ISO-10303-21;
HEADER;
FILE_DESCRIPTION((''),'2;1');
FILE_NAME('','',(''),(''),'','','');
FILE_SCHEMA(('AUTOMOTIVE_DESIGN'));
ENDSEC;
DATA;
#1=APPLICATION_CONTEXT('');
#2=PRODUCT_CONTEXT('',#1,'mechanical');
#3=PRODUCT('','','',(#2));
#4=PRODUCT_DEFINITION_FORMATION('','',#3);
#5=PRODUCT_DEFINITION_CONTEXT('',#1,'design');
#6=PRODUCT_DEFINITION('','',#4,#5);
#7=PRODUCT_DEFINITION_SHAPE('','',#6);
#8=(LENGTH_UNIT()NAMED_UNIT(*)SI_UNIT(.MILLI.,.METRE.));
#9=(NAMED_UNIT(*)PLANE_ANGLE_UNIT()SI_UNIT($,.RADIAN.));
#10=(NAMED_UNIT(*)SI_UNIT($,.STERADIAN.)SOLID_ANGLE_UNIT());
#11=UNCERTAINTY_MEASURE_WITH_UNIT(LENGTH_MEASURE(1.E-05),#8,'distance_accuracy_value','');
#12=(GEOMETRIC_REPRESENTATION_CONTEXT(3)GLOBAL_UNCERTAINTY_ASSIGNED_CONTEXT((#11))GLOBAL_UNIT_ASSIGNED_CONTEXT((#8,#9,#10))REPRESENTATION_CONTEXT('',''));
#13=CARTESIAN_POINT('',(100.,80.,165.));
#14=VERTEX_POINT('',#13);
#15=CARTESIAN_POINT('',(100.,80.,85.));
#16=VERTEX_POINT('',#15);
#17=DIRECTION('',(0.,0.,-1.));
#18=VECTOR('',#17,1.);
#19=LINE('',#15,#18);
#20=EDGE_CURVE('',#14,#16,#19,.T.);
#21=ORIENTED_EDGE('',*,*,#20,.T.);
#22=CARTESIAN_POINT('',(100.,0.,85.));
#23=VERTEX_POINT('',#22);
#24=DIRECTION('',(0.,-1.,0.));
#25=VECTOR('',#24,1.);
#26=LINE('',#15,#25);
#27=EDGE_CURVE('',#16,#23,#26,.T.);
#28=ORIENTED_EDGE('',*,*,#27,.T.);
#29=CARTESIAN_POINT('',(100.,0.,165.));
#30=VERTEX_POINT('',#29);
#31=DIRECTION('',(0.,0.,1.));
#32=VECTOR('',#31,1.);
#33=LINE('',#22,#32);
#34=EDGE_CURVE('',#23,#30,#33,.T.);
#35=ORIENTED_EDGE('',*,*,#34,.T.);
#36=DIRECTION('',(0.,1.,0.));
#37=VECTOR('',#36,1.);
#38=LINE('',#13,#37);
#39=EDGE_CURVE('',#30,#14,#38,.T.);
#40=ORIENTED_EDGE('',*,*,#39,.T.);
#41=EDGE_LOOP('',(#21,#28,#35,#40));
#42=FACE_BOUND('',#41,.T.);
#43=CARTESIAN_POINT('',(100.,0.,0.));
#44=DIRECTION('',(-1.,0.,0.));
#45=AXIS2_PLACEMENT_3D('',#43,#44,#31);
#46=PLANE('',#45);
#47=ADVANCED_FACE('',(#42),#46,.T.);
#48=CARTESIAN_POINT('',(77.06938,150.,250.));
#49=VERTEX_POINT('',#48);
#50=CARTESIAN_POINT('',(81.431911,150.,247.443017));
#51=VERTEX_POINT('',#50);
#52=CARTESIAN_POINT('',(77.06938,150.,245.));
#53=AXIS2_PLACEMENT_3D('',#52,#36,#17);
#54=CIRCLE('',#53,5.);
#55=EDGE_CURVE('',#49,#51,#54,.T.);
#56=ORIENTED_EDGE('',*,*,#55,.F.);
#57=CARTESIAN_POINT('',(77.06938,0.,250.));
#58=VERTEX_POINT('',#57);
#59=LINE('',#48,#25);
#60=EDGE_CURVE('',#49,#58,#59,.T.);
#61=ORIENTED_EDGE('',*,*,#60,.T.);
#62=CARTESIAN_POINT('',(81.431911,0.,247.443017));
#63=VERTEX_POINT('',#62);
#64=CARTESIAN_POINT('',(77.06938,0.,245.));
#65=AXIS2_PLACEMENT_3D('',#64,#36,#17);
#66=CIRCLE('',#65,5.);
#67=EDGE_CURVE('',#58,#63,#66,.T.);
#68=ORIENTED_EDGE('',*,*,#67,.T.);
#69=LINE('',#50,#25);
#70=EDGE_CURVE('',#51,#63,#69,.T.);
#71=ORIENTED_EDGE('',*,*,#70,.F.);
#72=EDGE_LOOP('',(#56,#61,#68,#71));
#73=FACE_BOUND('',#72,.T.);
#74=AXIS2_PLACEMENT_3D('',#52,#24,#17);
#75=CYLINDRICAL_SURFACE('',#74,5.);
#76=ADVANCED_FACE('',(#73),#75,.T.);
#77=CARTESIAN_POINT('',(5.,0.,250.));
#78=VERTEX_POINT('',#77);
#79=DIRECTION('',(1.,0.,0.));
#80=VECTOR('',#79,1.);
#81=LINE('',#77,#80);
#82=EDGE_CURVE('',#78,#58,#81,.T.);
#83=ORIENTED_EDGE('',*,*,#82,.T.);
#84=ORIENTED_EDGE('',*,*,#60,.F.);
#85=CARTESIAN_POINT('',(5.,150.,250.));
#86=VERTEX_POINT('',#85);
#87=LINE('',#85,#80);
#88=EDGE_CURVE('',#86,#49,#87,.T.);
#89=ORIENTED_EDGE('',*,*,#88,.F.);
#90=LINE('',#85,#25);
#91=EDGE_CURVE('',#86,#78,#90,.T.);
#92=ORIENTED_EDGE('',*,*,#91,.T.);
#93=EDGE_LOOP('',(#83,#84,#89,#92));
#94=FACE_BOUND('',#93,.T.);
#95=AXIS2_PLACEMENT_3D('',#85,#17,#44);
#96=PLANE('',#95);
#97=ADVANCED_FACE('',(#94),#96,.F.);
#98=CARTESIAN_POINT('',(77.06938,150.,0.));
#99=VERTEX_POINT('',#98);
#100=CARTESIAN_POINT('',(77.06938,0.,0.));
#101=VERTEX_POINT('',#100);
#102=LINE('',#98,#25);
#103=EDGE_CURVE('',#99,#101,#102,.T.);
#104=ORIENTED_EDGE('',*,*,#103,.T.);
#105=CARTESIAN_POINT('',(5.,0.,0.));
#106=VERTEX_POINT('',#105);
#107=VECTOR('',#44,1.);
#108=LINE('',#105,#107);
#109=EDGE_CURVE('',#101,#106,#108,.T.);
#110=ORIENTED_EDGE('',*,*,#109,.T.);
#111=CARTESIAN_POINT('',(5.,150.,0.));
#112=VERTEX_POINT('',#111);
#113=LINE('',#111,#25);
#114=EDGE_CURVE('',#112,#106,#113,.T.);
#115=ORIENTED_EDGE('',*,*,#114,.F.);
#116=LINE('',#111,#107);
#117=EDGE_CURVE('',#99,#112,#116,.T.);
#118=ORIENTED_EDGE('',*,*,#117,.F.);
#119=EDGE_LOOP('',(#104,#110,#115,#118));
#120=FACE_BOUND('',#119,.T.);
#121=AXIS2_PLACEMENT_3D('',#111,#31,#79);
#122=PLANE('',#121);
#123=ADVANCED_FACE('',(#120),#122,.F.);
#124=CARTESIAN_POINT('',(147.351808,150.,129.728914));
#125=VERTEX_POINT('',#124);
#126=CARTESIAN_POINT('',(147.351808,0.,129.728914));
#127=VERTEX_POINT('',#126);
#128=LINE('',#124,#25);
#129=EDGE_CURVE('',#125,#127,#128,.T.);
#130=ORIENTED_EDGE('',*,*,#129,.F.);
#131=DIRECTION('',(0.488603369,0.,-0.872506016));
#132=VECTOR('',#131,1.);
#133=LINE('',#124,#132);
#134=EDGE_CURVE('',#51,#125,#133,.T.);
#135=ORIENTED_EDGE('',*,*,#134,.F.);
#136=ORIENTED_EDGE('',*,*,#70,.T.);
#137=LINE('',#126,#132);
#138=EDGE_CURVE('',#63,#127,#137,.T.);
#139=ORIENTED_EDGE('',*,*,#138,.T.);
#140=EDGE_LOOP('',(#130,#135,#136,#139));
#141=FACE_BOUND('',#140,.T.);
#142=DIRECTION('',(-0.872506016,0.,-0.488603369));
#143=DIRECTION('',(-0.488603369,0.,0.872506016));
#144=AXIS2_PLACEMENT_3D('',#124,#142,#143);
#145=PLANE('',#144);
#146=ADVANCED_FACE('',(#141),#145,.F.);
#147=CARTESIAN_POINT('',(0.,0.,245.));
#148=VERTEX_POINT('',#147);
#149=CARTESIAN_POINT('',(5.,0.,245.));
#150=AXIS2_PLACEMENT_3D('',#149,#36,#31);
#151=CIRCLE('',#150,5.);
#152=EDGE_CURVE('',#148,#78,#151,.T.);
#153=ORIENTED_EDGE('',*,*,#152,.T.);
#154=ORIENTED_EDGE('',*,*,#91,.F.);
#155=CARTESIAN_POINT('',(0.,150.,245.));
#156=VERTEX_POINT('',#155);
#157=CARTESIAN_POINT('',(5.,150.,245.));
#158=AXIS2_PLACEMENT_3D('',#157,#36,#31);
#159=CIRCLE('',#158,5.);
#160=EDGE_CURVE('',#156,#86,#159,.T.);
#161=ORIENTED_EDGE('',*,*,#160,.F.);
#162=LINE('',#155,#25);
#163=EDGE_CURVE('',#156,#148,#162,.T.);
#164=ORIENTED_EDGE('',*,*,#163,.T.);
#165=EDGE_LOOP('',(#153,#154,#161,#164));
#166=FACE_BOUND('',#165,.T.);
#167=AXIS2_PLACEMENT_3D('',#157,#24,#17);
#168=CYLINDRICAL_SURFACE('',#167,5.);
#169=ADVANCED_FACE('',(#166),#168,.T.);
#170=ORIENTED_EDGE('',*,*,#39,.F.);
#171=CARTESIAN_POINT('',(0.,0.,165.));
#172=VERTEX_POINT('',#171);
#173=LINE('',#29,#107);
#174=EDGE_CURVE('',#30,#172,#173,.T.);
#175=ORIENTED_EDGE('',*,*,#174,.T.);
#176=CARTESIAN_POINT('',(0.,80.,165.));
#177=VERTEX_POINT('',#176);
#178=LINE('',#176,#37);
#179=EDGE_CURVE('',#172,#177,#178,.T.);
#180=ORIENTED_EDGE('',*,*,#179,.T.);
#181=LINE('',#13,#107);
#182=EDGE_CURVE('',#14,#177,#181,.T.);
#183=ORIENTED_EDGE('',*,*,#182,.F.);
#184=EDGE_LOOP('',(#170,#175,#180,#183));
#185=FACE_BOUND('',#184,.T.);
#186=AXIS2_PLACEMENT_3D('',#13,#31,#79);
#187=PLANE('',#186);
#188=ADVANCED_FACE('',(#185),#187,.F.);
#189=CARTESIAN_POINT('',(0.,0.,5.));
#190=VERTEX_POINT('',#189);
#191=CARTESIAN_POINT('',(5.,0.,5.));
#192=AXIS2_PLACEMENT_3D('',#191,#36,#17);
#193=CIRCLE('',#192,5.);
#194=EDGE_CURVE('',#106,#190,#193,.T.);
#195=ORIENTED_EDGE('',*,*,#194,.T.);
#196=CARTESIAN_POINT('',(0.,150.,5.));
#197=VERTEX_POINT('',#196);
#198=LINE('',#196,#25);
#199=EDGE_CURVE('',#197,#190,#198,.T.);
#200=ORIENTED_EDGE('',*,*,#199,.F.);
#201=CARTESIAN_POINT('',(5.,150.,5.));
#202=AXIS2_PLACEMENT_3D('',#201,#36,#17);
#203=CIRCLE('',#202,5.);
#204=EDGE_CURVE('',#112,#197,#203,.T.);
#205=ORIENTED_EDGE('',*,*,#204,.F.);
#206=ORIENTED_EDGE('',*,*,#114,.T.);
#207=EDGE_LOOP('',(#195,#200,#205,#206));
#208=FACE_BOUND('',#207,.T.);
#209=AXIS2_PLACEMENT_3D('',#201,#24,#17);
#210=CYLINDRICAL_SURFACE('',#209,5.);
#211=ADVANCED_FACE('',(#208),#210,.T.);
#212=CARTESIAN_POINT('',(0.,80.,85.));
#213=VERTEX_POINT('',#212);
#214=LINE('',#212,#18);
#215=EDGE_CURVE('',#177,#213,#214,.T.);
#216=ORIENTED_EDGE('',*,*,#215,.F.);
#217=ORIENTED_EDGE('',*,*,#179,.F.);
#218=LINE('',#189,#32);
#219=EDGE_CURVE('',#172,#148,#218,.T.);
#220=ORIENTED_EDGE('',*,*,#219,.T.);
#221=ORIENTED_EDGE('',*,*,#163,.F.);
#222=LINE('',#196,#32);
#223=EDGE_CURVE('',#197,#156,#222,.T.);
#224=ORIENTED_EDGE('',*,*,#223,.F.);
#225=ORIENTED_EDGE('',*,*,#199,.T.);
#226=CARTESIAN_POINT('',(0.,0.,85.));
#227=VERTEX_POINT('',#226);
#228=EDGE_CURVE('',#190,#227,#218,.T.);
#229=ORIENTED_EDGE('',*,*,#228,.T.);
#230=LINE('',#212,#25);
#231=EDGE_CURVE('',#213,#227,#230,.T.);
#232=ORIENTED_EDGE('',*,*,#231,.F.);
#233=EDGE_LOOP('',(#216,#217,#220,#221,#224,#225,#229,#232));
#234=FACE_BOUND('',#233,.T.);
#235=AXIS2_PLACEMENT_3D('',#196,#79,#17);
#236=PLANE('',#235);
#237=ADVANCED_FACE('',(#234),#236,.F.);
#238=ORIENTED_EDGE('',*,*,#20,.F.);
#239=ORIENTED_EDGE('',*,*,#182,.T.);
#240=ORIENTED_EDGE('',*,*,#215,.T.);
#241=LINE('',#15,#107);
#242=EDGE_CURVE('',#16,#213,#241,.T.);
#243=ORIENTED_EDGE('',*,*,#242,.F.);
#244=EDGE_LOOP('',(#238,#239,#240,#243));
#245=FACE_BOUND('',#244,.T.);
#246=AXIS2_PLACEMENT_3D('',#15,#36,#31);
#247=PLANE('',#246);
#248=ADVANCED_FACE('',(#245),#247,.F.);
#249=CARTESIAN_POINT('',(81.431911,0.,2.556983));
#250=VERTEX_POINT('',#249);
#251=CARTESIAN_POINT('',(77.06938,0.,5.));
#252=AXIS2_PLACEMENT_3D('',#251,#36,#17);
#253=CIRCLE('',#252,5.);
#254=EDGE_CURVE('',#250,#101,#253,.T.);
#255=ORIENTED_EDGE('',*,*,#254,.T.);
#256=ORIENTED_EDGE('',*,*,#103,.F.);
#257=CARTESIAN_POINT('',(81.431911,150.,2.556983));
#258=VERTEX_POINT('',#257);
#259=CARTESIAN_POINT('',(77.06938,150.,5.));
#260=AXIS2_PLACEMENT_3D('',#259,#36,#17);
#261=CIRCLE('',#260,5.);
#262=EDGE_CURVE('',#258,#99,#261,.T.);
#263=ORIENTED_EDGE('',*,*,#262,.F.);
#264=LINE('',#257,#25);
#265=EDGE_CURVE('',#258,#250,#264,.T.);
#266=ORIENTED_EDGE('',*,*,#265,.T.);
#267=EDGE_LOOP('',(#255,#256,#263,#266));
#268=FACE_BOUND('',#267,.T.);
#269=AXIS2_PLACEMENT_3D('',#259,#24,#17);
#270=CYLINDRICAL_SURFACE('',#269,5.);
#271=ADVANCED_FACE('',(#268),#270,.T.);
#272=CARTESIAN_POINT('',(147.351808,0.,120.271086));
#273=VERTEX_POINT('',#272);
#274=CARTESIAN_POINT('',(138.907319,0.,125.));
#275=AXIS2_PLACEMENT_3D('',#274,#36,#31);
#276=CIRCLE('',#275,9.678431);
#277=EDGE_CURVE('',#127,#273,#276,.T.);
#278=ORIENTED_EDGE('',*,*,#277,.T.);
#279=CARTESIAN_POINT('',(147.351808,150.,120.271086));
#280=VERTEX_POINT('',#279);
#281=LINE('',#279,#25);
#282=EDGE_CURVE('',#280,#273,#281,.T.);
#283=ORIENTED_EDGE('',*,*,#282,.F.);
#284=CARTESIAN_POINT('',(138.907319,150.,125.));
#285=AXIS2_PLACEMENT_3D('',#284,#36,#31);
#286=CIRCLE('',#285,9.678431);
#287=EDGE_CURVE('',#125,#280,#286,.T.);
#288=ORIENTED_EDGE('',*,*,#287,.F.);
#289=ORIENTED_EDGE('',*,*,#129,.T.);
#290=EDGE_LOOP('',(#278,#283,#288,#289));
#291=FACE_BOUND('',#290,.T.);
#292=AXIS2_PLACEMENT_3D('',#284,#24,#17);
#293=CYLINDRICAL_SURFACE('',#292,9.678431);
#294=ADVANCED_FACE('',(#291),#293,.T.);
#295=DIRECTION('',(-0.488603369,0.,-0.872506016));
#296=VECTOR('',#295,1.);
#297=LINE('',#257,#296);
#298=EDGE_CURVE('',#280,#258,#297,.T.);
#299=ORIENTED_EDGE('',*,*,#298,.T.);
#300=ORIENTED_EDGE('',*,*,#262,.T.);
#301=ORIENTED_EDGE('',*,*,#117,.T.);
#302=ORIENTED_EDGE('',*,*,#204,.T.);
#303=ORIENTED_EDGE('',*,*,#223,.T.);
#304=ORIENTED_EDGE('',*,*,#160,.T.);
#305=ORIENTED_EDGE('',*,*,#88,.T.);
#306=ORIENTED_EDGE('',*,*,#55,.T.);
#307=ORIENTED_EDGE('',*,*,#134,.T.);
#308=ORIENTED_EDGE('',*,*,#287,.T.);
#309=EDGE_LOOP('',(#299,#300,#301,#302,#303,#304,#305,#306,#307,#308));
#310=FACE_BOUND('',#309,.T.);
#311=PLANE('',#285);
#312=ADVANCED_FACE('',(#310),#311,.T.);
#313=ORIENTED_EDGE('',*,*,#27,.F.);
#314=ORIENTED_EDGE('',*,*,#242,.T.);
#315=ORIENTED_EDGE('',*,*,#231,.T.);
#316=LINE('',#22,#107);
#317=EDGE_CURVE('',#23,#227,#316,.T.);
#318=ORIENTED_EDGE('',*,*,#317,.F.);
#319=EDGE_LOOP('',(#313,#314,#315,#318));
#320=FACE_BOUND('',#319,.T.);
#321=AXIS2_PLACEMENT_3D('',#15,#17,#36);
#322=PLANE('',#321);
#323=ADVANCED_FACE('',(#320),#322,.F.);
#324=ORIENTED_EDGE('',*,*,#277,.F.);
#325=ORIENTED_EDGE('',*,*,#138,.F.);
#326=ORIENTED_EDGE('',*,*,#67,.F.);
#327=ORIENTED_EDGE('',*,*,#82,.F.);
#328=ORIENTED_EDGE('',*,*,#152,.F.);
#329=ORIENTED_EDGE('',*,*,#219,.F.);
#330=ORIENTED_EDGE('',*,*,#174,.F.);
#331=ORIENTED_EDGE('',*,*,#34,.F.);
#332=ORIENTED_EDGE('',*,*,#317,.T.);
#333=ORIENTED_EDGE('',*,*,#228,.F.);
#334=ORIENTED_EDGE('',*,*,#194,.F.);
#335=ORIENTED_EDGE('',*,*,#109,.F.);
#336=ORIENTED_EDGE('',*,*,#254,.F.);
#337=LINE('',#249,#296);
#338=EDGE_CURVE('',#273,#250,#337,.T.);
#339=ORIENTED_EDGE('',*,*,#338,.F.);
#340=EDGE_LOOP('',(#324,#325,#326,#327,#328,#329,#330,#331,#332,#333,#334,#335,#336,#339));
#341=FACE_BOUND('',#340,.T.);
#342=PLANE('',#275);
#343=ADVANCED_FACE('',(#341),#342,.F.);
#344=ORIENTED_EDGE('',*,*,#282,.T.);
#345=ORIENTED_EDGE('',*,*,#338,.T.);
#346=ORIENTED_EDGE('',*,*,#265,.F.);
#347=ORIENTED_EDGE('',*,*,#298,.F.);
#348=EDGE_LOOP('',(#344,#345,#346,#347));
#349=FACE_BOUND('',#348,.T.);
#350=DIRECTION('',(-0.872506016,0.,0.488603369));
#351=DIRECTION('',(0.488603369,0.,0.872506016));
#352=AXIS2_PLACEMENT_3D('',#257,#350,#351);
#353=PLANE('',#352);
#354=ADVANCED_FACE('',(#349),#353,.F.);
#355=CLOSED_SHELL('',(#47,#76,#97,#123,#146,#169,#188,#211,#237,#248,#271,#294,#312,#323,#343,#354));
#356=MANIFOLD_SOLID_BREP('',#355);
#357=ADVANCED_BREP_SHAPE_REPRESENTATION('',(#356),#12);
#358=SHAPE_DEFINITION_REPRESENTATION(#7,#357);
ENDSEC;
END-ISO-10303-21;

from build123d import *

# Parameters (mm, degrees)
EXTRUDE_1_DEPTH     = 150
SKETCH_2_W          = 80
SKETCH_2_H          = 80
CUT_EXTRUDE_1_DEPTH = 100


with BuildPart() as part:
    # 草图1 → 凸台-拉伸1 (new body)
    with BuildSketch(Plane(origin=(0, 0, 0), x_dir=(1, 0, 0), z_dir=(0, 1, 0))):
        with BuildLine():
            Line((0, -5), (0, -245))
            ThreePointArc((0, -245), (1.464466094, -248.535533906), (5, -250))
            Line((5, -250), (77.069380487, -250))
            ThreePointArc((77.069380487, -250), (79.597711535, -249.313646035), (81.431910567, -247.443016845))
            Line((81.431910567, -247.443016845), (147.351808168, -129.728913986))
            ThreePointArc((147.351808168, -129.728913986), (148.585749894, -125), (147.351808168, -120.271086014))
            Line((147.351808168, -120.271086014), (81.431910567, -2.556983155))
            ThreePointArc((81.431910567, -2.556983155), (79.597711535, -0.686353965), (77.069380487, 0))
            Line((77.069380487, 0), (5, 0))
            ThreePointArc((5, 0), (1.464466094, -1.464466094), (0, -5))
        make_face()
    extrude(amount=EXTRUDE_1_DEPTH)

    # 草图2 → 切除-拉伸1 (cut)
    with BuildSketch(Plane.ZY):
        with Locations((125, 40)):
            Rectangle(SKETCH_2_W, SKETCH_2_H)
    extrude(amount=-CUT_EXTRUDE_1_DEPTH, mode=Mode.SUBTRACT)


solid = part.part
